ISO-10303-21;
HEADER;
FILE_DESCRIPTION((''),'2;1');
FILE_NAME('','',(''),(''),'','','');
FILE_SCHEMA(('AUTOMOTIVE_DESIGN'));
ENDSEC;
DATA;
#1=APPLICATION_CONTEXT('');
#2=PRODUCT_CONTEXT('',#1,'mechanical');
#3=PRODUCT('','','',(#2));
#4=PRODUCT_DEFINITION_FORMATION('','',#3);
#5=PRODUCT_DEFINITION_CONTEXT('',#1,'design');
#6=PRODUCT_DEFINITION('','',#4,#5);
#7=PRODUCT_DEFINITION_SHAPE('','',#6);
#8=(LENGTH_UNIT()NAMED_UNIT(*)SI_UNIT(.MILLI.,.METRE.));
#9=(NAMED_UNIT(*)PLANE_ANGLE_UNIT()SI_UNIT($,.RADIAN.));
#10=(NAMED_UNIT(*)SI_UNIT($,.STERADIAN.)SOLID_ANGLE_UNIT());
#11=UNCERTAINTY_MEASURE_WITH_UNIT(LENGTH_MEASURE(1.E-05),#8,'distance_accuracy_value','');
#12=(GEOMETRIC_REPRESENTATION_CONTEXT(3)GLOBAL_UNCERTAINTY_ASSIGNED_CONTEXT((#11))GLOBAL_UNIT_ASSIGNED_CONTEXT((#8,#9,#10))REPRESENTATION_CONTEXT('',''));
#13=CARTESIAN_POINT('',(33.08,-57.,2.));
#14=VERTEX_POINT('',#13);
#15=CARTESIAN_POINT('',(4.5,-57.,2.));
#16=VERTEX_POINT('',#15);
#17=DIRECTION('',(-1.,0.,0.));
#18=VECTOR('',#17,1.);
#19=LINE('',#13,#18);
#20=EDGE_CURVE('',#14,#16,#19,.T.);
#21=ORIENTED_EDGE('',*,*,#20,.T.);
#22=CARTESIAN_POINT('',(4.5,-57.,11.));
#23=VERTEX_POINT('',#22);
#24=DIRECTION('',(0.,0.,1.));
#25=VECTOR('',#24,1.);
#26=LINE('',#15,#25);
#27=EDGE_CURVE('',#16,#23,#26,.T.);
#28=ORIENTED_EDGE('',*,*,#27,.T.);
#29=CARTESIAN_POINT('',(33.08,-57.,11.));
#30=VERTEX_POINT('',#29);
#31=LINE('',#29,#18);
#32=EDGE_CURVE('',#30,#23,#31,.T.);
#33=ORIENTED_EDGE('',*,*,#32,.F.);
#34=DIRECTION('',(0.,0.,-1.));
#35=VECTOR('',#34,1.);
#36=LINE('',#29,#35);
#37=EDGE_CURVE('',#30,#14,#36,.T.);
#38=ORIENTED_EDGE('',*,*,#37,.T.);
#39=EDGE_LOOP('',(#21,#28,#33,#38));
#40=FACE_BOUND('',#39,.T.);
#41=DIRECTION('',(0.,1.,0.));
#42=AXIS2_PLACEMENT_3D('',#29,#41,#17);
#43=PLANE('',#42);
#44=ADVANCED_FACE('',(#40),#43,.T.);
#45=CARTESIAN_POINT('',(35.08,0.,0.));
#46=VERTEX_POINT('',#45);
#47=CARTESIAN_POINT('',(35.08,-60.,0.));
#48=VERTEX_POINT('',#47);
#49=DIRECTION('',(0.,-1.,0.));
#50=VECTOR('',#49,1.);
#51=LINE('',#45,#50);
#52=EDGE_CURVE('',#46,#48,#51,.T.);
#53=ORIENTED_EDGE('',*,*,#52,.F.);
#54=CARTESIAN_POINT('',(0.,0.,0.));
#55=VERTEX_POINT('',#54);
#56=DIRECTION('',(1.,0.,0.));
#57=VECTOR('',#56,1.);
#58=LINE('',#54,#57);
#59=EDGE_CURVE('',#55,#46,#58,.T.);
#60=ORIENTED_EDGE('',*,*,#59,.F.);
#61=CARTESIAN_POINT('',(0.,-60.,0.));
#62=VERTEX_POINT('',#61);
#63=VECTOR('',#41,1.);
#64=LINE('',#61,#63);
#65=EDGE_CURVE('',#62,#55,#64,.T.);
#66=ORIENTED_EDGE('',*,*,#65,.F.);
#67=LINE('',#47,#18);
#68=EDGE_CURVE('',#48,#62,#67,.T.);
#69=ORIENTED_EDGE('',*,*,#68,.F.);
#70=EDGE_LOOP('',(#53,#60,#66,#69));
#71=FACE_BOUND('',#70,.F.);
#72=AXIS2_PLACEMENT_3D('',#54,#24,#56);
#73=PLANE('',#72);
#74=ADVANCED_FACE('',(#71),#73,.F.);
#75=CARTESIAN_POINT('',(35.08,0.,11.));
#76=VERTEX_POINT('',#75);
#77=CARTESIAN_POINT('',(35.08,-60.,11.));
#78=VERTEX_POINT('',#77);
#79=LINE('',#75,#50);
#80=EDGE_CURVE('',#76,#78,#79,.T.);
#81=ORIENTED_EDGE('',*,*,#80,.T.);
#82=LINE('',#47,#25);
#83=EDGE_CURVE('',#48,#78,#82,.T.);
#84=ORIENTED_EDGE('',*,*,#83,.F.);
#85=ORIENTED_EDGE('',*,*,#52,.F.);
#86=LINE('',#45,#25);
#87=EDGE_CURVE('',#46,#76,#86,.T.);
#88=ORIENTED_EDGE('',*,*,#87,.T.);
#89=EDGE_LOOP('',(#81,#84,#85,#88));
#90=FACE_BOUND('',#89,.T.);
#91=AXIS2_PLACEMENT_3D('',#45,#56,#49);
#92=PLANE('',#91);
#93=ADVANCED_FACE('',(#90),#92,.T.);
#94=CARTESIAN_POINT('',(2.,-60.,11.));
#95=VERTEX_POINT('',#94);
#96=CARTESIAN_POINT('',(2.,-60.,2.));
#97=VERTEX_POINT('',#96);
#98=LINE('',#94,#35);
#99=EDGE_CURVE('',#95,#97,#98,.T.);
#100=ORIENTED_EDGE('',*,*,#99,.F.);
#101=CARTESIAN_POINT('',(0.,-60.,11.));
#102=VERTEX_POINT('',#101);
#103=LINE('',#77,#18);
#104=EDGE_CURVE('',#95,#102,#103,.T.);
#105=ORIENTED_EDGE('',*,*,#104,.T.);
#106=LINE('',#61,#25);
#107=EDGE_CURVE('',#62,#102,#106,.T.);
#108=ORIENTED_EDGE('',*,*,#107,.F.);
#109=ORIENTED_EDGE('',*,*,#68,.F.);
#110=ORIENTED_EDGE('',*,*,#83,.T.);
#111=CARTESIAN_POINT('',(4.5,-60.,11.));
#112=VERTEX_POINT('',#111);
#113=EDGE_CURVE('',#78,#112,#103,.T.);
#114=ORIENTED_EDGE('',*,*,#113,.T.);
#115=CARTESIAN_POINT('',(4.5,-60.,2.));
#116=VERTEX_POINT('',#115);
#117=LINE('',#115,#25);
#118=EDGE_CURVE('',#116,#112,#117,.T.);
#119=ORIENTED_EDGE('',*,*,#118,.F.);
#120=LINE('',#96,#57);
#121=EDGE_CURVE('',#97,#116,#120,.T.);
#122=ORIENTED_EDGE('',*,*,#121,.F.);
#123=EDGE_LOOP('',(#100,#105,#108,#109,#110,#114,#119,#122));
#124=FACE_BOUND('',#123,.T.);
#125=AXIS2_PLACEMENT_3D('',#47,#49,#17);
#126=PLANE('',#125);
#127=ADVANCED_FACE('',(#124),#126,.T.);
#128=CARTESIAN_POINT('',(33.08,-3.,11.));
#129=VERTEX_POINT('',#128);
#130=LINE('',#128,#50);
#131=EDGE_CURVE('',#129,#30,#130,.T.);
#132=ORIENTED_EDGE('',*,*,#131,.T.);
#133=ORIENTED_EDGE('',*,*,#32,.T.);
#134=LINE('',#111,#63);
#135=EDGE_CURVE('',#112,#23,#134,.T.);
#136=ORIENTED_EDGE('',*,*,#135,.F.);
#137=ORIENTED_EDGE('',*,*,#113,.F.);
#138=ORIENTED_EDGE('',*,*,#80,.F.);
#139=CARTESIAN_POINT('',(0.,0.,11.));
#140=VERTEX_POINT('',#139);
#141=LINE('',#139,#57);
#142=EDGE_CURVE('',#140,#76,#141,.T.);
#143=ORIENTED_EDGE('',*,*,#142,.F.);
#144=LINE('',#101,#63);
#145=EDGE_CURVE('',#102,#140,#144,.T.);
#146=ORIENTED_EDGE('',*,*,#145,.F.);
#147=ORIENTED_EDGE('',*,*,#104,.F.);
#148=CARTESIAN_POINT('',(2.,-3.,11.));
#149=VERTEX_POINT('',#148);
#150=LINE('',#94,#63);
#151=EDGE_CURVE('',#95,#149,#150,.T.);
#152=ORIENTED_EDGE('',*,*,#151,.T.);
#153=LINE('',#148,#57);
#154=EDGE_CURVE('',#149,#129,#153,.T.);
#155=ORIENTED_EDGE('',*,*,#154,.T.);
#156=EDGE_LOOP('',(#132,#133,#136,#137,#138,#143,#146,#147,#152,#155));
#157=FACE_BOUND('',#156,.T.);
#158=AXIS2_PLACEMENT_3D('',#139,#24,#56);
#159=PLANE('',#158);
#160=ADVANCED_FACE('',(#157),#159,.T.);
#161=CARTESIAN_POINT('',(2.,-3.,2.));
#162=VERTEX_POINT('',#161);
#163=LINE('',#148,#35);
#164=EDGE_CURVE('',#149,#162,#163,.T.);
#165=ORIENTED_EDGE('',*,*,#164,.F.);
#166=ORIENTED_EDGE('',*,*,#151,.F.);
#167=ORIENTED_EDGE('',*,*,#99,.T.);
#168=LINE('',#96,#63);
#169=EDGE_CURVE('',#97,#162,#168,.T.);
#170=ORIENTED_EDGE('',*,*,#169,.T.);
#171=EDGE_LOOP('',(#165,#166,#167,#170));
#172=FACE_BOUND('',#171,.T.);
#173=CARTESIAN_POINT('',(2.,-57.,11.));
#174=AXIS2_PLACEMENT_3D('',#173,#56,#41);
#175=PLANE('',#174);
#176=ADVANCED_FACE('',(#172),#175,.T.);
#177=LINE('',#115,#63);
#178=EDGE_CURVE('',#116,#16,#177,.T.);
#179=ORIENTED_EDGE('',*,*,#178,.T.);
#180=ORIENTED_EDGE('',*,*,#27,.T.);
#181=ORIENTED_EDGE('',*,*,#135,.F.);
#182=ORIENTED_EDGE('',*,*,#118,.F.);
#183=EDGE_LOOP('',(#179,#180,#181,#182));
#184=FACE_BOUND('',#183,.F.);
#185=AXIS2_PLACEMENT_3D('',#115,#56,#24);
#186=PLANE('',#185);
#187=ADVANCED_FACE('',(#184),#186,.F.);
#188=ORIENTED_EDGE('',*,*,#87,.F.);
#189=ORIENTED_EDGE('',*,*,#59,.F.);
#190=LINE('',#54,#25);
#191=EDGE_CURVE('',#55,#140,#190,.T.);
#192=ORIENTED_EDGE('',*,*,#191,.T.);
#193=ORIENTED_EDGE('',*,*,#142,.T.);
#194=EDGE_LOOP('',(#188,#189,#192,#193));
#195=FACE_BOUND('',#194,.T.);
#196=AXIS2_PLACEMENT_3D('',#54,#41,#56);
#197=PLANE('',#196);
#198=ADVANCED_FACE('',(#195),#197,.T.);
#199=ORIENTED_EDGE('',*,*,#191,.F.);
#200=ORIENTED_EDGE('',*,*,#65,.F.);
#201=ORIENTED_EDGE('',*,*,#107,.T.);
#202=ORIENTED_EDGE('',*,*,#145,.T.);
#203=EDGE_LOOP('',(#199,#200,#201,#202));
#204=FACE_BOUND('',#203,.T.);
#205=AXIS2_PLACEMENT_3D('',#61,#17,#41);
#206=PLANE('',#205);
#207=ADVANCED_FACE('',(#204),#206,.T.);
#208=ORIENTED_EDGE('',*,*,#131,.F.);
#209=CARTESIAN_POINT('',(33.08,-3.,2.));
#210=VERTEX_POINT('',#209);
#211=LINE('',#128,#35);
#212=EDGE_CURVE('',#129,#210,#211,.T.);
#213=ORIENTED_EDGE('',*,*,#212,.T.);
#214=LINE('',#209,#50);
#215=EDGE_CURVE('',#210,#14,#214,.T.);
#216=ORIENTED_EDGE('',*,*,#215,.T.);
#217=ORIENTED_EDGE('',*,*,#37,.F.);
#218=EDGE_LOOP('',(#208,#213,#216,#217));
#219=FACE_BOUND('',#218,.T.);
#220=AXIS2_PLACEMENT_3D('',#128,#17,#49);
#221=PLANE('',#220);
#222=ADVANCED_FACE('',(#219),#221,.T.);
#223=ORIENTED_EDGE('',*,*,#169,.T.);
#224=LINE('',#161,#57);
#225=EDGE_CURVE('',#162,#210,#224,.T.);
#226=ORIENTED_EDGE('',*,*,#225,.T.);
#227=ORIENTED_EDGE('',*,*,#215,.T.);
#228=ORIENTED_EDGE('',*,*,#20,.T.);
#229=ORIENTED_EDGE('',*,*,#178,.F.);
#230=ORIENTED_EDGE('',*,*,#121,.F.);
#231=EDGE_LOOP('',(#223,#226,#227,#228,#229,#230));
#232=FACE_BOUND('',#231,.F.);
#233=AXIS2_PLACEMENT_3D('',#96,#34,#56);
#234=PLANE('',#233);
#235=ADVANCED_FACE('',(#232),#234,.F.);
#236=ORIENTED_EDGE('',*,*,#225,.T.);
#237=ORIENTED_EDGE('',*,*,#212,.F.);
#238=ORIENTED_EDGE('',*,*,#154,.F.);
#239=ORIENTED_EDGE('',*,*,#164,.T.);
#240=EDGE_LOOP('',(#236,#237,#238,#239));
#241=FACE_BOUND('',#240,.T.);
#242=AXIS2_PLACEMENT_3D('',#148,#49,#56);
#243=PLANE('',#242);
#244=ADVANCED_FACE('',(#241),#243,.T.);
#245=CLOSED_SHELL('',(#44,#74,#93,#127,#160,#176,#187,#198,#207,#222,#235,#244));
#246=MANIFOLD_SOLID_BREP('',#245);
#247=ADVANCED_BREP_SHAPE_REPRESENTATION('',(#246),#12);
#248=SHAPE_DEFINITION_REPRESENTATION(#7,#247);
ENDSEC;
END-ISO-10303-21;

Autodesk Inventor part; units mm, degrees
ref_plane "YZ Plane" through (0, 0, 0) normal (1, 0, 0) x (0, 1, 0)
ref_plane "XZ Plane" through (0, 0, 0) normal (0, 1, 0) x (-1, 0, 0)
ref_plane "XY Plane" through (0, 0, 0) normal (0, 0, 1) x (1, 0, 0)
sketch "Sketch1" plane through (0, 0, 0) normal (0, 0, 1) x (1, 0, 0)
  line L0 (0, 0) -> (35.08, 0)
  line L1 (35.08, 0) -> (35.08, -60)
  line L2 (35.08, -60) -> (0, -60)
  line L3 (0, -60) -> (0, 0)
  dimension "d0" = 35.08
  dimension "d1" = 60
extrude "Extrusion1" add sketch "Sketch1" along normal blind 11
sketch "Sketch2" plane through (0, 0, 11) normal (0, 0, 1) x (1, 0, 0)
  line L0 (2, -3) -> (33.08, -3)
  line L1 (33.08, -3) -> (33.08, -57)
  line L2 (33.08, -57) -> (2, -57)
  line L3 (2, -57) -> (2, -3)
  line L4 (0, 0) -> (35.08, 0) projected
  line L5 (0, -60) -> (35.08, -60) projected
  line L6 (35.08, 0) -> (35.08, -60) projected
  line L7 (0, 0) -> (0, -60) projected
  dimension "d8" = 3
  dimension "d9" = 3
  dimension "d10" = 2
  dimension "d11" = 2
extrude "Extrusion2" cut sketch "Sketch2" against normal blind 9 contours L0 L1 L2 L3
sketch "Sketch4" plane through (0, -60, 0) normal (0, -1, 0) x (1, 0, 0)
  line L0 (2, 11) -> (2, 2) projected
  line L1 (2, 11) -> (2, 2)
  line L2 (2, 2) -> (4.5, 2)
  line L3 (2, 2) -> (33.08, 2) projected
  line L4 (4.5, 2) -> (4.5, 11)
  line L5 (2, 11) -> (4.5, 11)
  line L6 (0, 0) -> (0, 11) projected
  dimension "d22" = 9
  dimension "d23" = 4.5
extrude "Extrusion3" cut sketch "Sketch4" against normal blind 3
properties part number "prueba1Bateria"
